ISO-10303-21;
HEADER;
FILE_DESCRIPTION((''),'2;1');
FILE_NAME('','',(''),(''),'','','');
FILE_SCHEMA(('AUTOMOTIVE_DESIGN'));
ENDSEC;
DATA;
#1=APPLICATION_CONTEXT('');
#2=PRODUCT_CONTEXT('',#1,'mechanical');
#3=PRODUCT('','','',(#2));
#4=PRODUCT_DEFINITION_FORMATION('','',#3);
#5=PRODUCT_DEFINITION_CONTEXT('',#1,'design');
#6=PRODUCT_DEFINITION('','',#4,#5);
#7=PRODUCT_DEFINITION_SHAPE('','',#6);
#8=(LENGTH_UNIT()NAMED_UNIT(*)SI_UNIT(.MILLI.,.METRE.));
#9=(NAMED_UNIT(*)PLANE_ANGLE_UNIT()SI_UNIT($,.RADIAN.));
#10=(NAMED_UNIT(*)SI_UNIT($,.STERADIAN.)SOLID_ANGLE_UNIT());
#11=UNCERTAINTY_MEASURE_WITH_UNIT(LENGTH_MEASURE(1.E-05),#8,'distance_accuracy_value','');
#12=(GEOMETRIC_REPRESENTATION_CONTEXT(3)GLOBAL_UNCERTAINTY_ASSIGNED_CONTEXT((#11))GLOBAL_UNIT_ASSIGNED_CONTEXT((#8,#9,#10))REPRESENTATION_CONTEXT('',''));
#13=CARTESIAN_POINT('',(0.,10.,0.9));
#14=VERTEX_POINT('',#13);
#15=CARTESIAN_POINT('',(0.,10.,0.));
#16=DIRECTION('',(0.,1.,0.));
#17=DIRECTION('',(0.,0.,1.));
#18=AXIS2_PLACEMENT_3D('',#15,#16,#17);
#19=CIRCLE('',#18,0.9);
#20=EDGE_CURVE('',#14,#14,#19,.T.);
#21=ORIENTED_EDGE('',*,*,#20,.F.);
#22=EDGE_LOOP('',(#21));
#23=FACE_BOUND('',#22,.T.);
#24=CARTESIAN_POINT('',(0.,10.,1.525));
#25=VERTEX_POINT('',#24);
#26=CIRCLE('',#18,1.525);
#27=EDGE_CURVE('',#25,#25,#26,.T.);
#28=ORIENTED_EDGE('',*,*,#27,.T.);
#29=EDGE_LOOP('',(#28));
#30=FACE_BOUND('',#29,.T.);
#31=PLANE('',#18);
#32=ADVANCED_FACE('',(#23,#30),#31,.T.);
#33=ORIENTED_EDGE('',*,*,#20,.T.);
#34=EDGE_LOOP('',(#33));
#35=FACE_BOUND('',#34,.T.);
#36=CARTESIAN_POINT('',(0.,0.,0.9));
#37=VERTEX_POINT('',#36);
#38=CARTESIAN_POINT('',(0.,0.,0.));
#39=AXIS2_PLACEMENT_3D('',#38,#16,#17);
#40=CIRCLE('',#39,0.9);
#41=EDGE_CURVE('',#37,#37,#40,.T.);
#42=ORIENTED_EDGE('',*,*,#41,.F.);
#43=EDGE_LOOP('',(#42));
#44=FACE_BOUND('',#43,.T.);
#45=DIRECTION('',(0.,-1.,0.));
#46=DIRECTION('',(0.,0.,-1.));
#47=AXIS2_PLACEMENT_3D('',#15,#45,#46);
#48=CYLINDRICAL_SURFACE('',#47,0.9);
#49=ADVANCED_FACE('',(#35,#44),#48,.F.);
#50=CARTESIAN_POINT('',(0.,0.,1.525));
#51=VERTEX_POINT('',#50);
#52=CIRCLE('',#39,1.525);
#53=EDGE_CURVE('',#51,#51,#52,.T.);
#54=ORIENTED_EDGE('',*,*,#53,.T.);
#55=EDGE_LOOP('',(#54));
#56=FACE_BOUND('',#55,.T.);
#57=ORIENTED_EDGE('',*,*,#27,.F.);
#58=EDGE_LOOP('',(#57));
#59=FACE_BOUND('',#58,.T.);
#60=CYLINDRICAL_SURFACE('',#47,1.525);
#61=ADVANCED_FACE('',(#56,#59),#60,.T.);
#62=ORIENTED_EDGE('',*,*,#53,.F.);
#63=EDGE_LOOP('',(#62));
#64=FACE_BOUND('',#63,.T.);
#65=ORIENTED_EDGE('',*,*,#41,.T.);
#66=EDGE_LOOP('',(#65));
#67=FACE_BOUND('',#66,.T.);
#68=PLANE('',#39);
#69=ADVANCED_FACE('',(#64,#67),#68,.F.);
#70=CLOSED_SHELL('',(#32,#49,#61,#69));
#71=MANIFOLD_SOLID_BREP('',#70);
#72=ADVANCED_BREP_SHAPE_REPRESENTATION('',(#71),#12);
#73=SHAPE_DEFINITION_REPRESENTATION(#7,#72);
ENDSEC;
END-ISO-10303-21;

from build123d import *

# Parameters (mm, degrees)
CROQUIS_BASE_R          = 1.525
CROQUIS_BASE_R_2        = 0.9
SALIENTE_EXTRUIR1_DEPTH = 10


with BuildPart() as part:
    # Croquis base → Saliente-Extruir1 (new body)
    with BuildSketch(Plane(origin=(0, 0, 0), x_dir=(1, 0, 0), z_dir=(0, 1, 0))):
        with Locations(Location((0, 0, 0), (0, 0, 270))):
            Circle(CROQUIS_BASE_R)
        with Locations(Location((0, 0, 0), (0, 0, 270))):
            Circle(CROQUIS_BASE_R_2, mode=Mode.SUBTRACT)
    extrude(amount=SALIENTE_EXTRUIR1_DEPTH)


solid = part.part
